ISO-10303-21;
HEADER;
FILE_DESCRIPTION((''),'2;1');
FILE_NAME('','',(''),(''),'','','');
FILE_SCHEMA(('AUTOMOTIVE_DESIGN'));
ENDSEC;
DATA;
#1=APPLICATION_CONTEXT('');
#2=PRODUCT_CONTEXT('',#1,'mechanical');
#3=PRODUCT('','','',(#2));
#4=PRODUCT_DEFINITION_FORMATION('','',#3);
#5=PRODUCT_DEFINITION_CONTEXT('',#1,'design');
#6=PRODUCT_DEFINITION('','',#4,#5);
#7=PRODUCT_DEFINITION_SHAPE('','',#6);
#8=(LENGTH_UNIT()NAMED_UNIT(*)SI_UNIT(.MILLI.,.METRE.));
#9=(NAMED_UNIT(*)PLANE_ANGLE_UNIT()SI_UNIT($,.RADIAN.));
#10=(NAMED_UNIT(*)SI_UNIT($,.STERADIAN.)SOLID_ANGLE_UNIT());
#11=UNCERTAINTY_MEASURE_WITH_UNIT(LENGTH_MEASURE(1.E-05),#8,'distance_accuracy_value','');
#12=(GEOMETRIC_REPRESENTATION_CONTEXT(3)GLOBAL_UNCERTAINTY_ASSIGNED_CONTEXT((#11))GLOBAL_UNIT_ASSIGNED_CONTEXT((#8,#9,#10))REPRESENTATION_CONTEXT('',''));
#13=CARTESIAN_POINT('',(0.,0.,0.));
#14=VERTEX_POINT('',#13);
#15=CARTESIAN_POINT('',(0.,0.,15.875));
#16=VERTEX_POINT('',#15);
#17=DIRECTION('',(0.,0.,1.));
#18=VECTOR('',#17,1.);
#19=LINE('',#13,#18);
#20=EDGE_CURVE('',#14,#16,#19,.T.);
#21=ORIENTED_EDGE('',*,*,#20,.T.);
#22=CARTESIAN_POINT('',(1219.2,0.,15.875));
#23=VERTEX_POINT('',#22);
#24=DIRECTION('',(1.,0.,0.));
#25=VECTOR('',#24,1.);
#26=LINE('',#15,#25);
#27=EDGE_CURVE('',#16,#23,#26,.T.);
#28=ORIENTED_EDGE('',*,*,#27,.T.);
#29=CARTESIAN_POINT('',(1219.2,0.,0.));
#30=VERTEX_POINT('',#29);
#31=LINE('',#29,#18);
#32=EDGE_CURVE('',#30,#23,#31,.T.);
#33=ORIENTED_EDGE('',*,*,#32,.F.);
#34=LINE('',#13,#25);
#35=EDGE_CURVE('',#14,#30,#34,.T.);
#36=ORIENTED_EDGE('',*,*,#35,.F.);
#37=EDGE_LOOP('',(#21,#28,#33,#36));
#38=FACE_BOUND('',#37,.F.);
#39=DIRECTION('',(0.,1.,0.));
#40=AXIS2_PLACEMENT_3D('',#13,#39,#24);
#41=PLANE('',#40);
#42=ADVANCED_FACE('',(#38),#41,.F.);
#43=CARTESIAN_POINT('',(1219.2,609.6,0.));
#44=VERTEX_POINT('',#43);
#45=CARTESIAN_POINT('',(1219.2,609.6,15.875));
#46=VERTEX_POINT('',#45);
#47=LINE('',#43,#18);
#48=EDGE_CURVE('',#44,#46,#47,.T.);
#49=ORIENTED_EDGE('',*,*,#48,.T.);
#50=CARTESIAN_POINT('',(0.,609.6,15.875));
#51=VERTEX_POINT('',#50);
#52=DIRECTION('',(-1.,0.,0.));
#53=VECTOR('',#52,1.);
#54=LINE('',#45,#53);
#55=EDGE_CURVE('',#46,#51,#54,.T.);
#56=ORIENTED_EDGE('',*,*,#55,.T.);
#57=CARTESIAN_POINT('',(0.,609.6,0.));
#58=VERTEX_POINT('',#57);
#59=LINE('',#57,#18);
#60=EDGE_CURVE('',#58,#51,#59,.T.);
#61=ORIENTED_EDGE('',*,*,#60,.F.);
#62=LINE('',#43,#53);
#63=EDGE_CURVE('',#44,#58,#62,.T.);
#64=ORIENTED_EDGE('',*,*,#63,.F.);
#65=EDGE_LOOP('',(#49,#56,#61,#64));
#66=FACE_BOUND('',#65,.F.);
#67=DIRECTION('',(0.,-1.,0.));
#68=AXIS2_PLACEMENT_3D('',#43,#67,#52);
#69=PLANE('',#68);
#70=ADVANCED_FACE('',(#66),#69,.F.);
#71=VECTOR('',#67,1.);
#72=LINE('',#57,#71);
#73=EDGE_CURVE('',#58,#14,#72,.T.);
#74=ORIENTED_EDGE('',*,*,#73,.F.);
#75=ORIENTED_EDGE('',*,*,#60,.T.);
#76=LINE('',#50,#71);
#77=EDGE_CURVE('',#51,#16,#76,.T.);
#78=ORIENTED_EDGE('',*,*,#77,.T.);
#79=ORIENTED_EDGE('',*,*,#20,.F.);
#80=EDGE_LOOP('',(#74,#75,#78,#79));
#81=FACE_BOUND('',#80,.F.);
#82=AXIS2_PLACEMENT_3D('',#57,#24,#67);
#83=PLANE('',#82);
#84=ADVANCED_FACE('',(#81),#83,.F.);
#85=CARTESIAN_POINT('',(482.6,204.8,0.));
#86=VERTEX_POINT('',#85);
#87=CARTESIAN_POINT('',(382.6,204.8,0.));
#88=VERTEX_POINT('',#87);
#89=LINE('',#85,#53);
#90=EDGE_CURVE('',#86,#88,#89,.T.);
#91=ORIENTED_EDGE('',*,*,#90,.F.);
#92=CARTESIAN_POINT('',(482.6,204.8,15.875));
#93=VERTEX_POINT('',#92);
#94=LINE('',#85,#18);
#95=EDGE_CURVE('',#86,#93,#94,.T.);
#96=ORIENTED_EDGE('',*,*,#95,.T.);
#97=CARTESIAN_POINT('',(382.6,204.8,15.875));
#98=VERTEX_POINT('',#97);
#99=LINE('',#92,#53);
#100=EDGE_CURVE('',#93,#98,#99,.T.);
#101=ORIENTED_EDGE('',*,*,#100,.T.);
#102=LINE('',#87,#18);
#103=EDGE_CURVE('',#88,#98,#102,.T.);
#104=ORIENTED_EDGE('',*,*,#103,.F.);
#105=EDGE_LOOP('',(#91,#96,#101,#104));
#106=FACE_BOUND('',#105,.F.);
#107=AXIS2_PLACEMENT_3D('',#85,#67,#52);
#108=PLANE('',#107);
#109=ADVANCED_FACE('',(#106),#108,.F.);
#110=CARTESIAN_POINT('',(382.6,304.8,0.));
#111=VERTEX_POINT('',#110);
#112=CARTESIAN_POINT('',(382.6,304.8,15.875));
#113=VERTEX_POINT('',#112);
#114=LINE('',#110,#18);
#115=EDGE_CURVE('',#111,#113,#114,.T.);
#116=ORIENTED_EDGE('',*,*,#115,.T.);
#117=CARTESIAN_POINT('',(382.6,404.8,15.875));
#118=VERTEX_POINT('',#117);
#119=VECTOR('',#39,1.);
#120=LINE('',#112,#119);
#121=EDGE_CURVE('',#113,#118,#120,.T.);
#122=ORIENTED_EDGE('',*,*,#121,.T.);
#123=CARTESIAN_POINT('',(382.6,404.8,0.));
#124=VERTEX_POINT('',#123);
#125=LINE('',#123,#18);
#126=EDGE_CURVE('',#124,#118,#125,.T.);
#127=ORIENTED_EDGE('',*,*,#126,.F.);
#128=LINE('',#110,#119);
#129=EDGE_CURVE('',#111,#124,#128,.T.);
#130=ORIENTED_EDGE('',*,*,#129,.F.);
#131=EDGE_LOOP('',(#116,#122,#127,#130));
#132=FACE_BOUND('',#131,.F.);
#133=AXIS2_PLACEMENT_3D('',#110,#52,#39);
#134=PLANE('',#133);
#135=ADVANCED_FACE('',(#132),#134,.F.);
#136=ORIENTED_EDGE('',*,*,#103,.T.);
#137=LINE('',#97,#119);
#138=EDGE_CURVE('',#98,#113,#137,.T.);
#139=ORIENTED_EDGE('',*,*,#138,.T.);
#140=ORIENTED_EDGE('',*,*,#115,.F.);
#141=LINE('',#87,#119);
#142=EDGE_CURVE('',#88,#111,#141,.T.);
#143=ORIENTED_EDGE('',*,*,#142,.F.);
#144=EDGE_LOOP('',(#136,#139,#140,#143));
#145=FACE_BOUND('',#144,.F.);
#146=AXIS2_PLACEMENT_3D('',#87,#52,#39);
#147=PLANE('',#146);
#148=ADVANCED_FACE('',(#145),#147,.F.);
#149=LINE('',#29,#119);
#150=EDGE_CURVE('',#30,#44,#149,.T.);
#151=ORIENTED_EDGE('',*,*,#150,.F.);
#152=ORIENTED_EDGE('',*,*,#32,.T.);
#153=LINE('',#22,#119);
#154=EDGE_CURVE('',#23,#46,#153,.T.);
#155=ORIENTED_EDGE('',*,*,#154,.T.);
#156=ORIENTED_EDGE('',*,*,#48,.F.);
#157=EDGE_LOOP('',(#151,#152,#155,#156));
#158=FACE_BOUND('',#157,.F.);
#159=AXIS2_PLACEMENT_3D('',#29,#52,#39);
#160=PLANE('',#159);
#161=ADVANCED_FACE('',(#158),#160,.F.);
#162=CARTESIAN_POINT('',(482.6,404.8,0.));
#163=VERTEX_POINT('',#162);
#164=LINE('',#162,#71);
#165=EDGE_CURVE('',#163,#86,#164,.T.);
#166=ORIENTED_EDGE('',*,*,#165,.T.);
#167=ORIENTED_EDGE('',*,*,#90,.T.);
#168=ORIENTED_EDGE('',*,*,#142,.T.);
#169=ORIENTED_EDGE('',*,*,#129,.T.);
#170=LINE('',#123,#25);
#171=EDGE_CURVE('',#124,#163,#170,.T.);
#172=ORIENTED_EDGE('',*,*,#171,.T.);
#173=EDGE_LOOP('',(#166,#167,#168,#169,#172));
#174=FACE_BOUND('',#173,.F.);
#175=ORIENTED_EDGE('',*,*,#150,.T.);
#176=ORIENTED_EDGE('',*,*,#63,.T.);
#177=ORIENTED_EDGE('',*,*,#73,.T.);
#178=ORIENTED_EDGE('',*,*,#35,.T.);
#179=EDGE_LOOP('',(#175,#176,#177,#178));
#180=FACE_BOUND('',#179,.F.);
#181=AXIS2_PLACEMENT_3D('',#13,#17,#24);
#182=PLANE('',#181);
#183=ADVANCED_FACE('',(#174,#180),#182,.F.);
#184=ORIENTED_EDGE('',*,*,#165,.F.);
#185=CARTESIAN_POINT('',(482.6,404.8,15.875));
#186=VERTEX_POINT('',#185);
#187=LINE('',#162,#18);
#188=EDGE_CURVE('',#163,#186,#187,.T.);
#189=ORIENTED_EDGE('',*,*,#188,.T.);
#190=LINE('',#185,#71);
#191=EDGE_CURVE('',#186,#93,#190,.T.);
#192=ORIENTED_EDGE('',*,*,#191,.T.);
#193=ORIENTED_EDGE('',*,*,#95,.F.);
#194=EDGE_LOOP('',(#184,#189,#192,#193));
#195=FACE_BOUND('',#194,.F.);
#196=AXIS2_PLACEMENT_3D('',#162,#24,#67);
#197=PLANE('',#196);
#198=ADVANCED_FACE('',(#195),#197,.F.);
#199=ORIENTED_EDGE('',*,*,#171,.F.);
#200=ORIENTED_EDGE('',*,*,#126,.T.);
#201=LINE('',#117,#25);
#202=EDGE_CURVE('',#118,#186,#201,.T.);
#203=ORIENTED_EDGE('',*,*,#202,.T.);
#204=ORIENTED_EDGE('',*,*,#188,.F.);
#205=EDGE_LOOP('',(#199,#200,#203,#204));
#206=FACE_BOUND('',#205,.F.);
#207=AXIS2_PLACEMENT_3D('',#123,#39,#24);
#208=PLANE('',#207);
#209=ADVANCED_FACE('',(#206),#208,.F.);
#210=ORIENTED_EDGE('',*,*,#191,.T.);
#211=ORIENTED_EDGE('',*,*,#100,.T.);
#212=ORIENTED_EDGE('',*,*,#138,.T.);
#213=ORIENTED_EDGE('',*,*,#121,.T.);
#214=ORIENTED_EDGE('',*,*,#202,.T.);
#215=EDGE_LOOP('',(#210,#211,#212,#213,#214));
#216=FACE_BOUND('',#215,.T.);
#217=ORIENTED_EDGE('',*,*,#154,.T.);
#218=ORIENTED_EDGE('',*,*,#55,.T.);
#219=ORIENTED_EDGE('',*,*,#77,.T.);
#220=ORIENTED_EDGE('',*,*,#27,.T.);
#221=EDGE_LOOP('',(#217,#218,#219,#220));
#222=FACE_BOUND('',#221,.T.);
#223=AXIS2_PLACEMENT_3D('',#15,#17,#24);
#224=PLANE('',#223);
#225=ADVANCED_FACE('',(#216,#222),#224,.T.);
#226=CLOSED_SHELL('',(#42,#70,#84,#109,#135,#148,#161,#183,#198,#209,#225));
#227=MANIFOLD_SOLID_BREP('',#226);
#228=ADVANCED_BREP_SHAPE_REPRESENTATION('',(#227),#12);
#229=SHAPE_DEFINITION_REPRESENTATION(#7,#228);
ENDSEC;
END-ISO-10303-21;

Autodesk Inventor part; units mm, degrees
ref_plane "YZ Plane" through (0, 0, 0) normal (1, 0, 0) x (0, 1, 0)
ref_plane "XZ Plane" through (0, 0, 0) normal (0, 1, 0) x (-1, 0, 0)
ref_plane "XY Plane" through (0, 0, 0) normal (0, 0, 1) x (1, 0, 0)
sketch "Sketch1" plane through (0, 0, 0) normal (0, 0, 1) x (1, 0, 0)
  line L0 (0, 0) -> (1219.2, 0)
  line L1 (1219.2, 0) -> (1219.2, 609.6)
  line L2 (1219.2, 609.6) -> (0, 609.6)
  line L3 (0, 609.6) -> (0, 0)
  line L4 (0, 609.6) -> (0, 0)
  line L5 (382.6, 304.8) -> (382.6, 404.8)
  line L6 (382.6, 404.8) -> (482.6, 404.8)
  line L7 (482.6, 404.8) -> (482.6, 204.8)
  line L8 (482.6, 204.8) -> (382.6, 204.8)
  line L9 (382.6, 204.8) -> (382.6, 304.8)
  dimension "d0" = 1219.2
  dimension "d1" = 609.6
  dimension "d4" = 100
  dimension "d5" = 100
  dimension "d6" = 200
  dimension "d7" = 100
extrude "Extrusion1" add sketch "Sketch1" along normal blind 15.875
properties part number "Rt window"
